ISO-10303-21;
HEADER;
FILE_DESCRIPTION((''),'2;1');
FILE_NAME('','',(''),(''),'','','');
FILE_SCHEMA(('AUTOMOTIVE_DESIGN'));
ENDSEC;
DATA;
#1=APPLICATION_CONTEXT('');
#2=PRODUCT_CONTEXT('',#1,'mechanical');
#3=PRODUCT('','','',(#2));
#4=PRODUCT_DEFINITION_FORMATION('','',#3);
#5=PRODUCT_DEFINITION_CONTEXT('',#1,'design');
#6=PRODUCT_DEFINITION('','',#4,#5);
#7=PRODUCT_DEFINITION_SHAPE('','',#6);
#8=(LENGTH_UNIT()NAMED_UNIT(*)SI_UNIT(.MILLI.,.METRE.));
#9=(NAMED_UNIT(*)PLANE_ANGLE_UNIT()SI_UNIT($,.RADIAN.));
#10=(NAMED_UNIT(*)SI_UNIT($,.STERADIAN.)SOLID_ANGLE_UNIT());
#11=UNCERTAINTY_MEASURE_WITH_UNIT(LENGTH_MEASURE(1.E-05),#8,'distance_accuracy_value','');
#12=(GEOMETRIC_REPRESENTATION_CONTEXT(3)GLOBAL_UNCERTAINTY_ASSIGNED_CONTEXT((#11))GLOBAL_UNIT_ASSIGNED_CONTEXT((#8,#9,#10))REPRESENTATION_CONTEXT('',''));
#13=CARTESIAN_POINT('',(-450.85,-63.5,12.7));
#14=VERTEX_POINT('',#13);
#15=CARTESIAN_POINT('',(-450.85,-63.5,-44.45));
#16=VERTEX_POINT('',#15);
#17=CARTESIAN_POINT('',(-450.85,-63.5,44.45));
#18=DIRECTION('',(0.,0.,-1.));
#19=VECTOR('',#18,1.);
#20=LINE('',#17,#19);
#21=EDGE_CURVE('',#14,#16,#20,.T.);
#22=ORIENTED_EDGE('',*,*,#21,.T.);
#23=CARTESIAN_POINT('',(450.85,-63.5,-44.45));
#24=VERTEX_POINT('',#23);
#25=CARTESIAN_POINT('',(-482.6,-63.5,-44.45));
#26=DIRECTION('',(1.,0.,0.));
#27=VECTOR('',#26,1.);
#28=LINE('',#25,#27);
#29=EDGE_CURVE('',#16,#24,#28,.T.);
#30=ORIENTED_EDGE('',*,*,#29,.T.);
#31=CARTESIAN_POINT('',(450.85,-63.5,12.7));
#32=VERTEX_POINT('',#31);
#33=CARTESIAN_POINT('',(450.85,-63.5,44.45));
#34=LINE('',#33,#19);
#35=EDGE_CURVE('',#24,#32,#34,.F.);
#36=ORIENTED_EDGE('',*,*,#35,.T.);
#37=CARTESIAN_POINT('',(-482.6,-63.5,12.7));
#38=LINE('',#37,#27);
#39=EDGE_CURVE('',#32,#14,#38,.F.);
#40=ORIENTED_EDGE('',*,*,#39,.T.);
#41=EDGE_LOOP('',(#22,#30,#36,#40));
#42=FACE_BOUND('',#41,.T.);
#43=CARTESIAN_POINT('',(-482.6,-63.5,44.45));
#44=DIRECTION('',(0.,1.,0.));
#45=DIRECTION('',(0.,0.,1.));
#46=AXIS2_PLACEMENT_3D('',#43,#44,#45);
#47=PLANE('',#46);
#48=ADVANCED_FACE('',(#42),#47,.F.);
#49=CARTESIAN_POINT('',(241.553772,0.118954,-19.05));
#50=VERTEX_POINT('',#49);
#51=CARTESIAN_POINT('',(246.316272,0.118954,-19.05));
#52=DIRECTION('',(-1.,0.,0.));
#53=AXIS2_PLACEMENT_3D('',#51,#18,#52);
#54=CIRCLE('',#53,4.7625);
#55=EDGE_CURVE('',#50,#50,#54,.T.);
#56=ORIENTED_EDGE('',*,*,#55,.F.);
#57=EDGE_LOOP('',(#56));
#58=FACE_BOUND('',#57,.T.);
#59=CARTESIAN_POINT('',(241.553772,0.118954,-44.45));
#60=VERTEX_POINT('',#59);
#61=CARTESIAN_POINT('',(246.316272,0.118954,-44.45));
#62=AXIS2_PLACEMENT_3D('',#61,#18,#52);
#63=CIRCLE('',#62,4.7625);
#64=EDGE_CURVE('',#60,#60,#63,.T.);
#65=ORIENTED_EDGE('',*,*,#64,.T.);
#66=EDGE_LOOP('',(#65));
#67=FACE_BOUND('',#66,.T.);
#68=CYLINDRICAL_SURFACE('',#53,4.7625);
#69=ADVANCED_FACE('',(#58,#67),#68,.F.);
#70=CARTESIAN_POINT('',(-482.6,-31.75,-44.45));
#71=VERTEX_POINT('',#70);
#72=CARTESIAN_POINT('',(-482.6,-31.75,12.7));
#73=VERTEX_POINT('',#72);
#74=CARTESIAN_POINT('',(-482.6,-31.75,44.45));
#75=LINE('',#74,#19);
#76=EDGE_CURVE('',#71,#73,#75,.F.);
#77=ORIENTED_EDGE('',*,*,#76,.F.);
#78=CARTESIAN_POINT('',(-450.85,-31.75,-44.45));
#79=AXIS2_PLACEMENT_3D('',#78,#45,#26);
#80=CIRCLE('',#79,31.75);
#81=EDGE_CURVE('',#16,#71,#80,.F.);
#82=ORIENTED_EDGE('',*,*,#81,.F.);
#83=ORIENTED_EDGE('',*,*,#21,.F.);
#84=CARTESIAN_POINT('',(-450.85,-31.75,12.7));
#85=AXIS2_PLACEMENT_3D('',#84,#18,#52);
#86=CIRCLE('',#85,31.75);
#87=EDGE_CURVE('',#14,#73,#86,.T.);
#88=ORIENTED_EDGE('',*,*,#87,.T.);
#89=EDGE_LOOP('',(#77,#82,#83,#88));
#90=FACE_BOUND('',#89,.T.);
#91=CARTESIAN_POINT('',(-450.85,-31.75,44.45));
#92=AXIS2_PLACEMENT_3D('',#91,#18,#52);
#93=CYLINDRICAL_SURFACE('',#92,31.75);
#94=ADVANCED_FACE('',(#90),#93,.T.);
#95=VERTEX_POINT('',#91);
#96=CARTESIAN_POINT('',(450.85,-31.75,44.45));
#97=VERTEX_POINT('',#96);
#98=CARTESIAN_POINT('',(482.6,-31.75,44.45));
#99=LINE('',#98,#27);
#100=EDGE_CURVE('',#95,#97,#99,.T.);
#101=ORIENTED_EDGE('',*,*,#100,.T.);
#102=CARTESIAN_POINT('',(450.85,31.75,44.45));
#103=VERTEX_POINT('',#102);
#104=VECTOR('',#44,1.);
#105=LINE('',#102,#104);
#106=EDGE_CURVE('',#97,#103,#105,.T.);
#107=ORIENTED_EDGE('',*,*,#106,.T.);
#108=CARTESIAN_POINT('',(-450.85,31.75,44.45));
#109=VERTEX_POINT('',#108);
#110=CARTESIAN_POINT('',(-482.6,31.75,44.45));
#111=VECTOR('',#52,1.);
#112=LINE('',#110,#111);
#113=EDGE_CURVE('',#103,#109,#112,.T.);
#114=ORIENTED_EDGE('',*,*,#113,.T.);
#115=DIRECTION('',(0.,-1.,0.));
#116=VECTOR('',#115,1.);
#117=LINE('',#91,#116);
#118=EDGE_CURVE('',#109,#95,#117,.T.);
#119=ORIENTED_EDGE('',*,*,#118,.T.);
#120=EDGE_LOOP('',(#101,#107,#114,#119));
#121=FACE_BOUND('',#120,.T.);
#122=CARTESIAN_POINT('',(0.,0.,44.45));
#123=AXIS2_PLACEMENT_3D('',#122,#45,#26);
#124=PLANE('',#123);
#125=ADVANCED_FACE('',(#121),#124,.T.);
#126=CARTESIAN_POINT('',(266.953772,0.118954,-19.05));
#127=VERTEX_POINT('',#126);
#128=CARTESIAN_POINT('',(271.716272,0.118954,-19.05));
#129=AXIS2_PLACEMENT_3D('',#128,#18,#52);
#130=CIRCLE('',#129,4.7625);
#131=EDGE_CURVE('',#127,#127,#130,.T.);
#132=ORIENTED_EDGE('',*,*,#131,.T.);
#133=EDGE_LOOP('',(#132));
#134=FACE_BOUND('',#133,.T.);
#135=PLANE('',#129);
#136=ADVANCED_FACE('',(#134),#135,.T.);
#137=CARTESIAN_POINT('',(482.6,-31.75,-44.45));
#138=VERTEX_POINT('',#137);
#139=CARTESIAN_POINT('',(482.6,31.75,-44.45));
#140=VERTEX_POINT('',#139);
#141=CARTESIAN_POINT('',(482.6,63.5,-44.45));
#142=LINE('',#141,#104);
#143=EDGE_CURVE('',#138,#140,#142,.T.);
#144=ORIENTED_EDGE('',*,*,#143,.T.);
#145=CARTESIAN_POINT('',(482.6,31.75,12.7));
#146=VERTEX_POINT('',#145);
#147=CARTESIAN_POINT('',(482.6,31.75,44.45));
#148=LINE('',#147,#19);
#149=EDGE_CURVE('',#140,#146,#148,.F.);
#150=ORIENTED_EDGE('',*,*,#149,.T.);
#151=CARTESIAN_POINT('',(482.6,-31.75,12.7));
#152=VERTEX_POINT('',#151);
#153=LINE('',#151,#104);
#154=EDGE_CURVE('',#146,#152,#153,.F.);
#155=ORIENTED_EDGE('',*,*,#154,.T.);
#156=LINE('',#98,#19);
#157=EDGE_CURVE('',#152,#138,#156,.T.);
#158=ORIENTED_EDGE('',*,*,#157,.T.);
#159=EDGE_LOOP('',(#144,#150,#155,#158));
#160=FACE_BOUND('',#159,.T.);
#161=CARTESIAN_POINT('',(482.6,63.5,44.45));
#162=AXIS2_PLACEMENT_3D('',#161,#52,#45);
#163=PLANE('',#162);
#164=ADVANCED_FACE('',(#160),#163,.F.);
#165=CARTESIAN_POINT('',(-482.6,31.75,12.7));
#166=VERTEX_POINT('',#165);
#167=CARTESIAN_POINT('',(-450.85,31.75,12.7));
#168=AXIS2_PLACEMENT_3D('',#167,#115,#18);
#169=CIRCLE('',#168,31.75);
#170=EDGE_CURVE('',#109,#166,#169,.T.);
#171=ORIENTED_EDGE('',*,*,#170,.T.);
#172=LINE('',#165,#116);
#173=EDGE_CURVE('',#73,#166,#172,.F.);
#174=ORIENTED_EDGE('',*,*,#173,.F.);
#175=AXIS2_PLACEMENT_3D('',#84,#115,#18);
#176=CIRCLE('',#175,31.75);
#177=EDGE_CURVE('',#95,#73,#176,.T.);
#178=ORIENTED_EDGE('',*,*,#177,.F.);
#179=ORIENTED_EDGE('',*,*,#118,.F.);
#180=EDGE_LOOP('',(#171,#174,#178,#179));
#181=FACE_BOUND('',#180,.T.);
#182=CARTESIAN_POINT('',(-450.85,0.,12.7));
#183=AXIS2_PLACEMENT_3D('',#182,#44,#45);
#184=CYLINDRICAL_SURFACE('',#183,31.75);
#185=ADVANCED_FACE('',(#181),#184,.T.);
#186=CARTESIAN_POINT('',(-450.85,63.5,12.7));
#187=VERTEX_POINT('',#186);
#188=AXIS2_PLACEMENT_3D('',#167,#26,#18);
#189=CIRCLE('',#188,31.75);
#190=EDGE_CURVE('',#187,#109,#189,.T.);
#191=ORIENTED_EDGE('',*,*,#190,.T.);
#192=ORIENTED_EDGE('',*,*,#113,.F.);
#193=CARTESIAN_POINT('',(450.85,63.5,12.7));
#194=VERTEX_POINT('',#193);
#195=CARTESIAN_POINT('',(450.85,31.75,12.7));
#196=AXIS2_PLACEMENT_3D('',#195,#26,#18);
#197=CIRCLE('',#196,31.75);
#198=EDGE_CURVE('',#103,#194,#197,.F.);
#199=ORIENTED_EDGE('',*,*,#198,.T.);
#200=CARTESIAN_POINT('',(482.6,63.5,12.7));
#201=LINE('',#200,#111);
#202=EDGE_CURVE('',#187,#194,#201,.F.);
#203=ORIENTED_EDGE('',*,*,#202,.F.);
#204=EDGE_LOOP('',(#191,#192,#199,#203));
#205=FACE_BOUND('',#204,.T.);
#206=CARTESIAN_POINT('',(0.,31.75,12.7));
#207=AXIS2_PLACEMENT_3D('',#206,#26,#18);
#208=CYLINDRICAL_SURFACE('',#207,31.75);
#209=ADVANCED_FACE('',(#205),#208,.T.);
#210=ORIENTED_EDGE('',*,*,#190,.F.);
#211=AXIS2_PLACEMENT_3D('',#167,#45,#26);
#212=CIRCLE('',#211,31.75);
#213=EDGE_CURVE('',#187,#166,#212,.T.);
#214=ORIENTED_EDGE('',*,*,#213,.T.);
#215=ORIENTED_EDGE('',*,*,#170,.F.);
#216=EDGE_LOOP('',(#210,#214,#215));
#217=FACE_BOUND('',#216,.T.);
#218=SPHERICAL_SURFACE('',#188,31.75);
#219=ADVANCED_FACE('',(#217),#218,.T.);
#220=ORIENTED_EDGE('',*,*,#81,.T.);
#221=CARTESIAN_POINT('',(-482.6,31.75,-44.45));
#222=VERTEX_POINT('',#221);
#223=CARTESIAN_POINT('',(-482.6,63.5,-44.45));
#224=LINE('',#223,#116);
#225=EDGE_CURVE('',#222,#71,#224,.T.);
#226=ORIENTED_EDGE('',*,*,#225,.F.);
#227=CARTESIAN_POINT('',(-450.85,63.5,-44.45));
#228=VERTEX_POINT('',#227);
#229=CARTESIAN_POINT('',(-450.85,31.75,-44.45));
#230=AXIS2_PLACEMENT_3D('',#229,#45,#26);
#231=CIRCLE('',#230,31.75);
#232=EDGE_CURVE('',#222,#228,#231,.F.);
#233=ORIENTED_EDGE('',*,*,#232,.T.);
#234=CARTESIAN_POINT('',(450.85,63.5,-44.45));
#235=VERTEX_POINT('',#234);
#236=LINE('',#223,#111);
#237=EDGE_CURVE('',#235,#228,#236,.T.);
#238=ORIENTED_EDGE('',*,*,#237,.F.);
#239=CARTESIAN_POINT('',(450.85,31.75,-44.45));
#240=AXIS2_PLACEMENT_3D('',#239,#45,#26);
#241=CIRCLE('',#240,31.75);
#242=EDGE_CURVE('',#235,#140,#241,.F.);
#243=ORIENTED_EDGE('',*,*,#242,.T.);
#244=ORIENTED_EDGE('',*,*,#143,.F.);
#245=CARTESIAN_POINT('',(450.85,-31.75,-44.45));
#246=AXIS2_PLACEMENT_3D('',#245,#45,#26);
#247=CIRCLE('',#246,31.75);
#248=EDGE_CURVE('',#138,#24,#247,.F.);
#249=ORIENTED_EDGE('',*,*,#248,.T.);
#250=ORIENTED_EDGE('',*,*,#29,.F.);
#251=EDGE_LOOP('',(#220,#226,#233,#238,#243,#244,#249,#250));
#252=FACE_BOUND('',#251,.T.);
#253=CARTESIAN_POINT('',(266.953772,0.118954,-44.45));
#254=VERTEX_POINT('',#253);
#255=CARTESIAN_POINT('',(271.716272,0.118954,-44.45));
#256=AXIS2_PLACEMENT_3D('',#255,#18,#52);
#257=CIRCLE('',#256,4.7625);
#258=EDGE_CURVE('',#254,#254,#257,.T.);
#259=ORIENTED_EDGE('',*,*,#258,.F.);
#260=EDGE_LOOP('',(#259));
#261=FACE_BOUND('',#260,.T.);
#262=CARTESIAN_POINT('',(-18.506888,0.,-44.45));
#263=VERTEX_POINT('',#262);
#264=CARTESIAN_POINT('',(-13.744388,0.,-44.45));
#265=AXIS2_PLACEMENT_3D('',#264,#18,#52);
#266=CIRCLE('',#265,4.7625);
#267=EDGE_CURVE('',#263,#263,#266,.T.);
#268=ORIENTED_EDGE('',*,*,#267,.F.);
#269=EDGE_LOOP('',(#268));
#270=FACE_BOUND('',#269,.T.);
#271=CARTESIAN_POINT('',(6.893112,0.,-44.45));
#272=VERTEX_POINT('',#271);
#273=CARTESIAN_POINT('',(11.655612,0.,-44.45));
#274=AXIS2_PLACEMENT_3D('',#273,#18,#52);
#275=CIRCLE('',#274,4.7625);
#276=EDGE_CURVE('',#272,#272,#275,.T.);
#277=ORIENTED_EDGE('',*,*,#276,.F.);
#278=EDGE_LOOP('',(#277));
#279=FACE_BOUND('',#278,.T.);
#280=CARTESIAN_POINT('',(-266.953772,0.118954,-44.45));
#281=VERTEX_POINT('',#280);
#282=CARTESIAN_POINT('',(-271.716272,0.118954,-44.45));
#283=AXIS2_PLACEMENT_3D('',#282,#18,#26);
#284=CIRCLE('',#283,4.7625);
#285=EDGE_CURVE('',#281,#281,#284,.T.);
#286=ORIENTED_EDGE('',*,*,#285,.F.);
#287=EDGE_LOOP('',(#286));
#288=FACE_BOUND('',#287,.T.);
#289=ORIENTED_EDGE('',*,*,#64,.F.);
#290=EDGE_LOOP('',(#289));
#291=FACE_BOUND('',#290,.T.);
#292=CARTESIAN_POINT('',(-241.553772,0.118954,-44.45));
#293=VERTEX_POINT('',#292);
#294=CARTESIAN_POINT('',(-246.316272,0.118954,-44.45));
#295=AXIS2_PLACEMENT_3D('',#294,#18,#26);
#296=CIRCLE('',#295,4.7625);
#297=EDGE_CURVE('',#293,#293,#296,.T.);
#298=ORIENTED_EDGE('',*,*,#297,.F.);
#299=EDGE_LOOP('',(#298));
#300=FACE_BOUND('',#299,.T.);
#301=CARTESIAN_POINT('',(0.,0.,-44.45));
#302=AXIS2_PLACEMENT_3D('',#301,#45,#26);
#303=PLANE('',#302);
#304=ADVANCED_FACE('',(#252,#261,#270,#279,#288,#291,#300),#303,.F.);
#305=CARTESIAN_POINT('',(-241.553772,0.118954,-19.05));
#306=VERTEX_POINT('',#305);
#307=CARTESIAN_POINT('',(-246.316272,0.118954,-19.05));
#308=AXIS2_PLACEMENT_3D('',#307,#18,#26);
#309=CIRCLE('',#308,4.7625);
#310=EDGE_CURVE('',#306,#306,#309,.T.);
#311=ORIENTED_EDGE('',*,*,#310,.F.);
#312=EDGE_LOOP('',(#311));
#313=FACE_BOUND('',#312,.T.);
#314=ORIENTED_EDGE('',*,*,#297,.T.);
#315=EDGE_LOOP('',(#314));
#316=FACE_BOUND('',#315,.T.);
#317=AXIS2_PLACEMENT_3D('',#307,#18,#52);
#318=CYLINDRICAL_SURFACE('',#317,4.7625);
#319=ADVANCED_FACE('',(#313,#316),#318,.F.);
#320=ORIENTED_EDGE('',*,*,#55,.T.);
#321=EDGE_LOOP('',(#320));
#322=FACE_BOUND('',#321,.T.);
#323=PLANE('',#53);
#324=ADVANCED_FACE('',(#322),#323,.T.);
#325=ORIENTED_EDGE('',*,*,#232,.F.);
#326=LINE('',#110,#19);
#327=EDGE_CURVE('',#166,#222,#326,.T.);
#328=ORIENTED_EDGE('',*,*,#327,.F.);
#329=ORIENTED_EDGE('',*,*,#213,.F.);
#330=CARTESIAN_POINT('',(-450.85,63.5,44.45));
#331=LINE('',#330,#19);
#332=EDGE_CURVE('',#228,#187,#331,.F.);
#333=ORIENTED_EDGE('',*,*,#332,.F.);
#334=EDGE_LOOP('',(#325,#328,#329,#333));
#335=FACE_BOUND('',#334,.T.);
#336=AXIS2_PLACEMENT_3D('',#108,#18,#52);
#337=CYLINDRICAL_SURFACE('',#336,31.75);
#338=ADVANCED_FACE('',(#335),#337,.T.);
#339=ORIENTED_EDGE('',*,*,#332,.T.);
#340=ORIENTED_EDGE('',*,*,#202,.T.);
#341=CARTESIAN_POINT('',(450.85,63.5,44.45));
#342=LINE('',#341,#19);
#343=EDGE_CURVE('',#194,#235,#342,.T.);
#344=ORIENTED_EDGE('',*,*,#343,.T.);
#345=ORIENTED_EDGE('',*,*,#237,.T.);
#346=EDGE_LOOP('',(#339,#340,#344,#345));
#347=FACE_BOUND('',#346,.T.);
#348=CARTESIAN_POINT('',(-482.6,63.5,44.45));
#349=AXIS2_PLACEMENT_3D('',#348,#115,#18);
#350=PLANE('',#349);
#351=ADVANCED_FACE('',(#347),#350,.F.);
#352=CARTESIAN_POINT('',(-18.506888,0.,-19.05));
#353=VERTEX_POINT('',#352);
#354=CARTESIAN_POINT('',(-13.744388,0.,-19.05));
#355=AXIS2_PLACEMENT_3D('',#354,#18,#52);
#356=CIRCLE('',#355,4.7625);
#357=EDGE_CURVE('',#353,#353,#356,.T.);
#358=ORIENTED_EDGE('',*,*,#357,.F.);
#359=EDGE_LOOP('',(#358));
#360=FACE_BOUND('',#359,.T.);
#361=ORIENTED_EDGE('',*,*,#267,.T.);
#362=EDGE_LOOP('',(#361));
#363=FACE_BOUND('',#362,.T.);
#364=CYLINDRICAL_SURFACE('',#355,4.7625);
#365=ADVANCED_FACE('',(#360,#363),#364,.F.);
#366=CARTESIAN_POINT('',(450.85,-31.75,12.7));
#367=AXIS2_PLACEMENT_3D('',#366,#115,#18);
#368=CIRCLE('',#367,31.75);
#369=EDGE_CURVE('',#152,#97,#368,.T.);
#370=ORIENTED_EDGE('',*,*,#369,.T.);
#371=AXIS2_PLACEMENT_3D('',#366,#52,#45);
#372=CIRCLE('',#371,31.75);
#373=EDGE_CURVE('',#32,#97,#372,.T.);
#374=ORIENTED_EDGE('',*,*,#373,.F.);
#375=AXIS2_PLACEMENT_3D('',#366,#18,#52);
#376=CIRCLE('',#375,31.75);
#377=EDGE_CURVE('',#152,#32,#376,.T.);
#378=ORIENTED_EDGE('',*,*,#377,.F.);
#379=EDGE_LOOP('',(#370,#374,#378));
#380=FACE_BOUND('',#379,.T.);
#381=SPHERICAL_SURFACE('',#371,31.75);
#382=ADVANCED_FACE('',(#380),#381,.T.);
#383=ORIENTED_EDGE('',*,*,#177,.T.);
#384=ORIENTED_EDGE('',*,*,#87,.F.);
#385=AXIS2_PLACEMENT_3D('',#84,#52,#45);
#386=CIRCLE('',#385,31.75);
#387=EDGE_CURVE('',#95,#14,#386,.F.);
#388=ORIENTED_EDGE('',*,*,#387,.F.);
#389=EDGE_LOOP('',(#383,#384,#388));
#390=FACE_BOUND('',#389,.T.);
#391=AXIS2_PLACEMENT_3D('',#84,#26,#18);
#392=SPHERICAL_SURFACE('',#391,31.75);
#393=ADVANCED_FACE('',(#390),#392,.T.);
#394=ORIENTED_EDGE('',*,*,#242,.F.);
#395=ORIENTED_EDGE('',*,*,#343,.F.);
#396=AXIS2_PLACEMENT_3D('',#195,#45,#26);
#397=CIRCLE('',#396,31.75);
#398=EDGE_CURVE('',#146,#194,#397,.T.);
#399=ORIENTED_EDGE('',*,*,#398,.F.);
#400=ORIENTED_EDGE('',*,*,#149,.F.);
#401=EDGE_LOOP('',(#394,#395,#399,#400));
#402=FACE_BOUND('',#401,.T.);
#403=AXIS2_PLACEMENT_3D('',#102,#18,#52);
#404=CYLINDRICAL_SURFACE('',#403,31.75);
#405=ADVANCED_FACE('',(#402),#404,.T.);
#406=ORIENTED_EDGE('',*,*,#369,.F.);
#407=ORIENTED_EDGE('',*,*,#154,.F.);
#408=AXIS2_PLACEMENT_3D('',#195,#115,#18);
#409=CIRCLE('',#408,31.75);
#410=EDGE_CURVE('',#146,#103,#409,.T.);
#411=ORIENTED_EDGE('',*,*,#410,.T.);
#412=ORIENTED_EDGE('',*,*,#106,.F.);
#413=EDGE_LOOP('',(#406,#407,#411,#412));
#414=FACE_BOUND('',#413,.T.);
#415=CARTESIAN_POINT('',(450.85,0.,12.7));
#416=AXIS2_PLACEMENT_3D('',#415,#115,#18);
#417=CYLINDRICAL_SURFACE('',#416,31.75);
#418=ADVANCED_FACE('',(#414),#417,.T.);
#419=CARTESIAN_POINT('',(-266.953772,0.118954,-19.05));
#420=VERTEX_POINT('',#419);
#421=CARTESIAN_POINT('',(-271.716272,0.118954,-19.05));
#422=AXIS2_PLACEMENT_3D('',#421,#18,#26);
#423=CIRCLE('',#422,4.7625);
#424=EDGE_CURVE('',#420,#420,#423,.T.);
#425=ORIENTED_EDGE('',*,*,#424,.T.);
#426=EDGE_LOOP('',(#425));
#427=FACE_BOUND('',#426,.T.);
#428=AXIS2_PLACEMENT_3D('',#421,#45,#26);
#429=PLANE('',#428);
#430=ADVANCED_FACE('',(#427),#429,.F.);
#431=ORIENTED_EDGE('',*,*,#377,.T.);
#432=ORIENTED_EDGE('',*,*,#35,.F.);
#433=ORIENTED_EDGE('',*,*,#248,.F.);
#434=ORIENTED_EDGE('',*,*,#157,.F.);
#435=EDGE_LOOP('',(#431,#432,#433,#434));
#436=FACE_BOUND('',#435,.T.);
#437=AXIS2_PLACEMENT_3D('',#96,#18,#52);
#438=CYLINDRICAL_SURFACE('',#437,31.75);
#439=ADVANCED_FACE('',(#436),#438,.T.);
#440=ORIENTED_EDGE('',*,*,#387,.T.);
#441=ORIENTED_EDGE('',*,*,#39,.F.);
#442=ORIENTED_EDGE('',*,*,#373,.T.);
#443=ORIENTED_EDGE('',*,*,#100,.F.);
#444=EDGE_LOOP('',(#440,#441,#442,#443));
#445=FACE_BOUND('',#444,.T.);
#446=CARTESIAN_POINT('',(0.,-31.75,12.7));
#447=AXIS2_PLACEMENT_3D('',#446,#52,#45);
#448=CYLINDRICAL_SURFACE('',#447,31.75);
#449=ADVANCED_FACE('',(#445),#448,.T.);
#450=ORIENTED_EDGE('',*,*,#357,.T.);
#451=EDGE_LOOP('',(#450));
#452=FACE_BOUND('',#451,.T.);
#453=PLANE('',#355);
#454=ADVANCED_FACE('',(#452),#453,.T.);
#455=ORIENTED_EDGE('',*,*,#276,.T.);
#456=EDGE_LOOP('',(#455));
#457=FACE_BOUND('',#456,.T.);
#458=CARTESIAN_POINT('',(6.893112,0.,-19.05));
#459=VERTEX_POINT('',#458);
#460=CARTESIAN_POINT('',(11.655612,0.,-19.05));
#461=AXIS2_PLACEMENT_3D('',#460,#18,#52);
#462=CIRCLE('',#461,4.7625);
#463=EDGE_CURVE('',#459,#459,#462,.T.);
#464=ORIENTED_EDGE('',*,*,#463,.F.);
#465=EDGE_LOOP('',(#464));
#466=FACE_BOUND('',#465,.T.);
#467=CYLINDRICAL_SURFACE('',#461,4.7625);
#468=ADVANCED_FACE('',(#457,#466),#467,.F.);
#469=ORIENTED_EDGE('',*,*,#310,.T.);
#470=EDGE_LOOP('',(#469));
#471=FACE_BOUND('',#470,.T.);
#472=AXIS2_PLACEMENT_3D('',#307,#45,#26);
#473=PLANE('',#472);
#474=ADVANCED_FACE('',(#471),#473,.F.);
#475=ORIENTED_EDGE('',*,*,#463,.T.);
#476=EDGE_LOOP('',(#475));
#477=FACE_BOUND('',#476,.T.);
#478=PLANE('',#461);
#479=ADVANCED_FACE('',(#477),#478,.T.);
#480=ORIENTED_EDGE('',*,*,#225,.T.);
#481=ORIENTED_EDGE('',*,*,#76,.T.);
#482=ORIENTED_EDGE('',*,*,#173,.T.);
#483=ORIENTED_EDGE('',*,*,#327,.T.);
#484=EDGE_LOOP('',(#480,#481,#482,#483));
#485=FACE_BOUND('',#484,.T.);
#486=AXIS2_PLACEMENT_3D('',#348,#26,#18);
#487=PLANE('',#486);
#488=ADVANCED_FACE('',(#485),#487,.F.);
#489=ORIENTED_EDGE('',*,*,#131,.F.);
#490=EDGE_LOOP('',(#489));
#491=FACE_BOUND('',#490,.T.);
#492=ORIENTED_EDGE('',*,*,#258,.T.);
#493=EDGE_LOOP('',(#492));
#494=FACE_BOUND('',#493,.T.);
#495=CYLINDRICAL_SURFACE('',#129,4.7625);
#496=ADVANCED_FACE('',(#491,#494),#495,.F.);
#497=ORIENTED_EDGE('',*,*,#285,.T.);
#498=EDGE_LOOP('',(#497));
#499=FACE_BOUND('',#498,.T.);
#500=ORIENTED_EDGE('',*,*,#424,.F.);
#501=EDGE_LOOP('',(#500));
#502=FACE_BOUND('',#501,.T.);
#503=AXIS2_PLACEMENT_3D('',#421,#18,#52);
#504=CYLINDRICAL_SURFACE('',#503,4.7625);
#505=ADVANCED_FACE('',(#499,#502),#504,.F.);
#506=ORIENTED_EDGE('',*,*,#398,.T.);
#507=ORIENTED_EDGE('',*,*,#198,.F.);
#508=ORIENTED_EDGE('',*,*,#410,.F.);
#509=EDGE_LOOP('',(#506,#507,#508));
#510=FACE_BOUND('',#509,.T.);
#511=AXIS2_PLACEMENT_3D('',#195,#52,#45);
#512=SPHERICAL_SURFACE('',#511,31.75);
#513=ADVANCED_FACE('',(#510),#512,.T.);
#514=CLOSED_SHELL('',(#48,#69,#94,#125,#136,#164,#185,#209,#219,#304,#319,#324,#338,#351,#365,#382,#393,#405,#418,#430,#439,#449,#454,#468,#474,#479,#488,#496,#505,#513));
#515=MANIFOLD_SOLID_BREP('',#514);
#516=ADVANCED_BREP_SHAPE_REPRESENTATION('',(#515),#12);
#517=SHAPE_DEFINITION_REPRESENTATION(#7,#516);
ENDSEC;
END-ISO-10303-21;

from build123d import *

# Parameters (mm, degrees)
SKETCH1_W           = 965.2
SKETCH1_H           = 127
BOSS_EXTRUDE1_DEPTH = 44.45
FILLET1_R           = 31.75
FILLET2_R           = 31.75
FILLET3_R           = 31.75
SKETCH6_R           = 4.7625
CUT_EXTRUDE1_DEPTH  = 25.4


with BuildPart() as part:
    # Sketch1 → Boss-Extrude1 (new, symmetric)
    with BuildSketch(Plane.XY):
        Rectangle(SKETCH1_W, SKETCH1_H)
    extrude(amount=BOSS_EXTRUDE1_DEPTH, both=True)

    # Fillet1
    fillet1_edges = [part.edges().sort_by_distance(p)[0] for p in [
        (0, -63.5, 44.45),
        (0, 63.5, 44.45),
    ]]
    fillet(fillet1_edges, radius=FILLET1_R)

    # Fillet2
    fillet2_edges = [part.edges().sort_by_distance(p)[0] for p in [
        (-482.6, 0, 44.45),
        (-482.6, -63.5, -15.875),
        (-482.6, 63.5, -15.875),
        (-482.6, 54.200640303, 35.150640303),
        (-482.6, -54.200640303, 35.150640303),
    ]]
    fillet(fillet2_edges, radius=FILLET2_R)

    # Fillet3
    fillet3_edges = [part.edges().sort_by_distance(p)[0] for p in [
        (482.6, 0, 44.45),
        (482.6, 63.5, -15.875),
        (482.6, -63.5, -15.875),
        (482.6, 54.200640303, 35.150640303),
        (482.6, -54.200640303, 35.150640303),
    ]]
    fillet(fillet3_edges, radius=FILLET3_R)

    # Sketch6 → Cut-Extrude1 (cut)
    with BuildSketch(Plane(origin=(0, 0, -44.45), x_dir=(-1, 0, 0), z_dir=(0, 0, -1))):
        with Locations((-11.655611638, 0)):
            Circle(SKETCH6_R)
        with Locations((13.744388362, 0)):
            Circle(SKETCH6_R)
        with Locations((-271.716271796, 0.118953538)):
            Circle(SKETCH6_R)
        with Locations((-246.316271796, 0.118953538)):
            Circle(SKETCH6_R)
        with Locations(Location((246.316271796, 0.118953538, 0), (0, 0, 180))):
            Circle(SKETCH6_R)
        with Locations(Location((271.716271796, 0.118953538, 0), (0, 0, 180))):
            Circle(SKETCH6_R)
    extrude(amount=-CUT_EXTRUDE1_DEPTH, mode=Mode.SUBTRACT)


solid = part.part
